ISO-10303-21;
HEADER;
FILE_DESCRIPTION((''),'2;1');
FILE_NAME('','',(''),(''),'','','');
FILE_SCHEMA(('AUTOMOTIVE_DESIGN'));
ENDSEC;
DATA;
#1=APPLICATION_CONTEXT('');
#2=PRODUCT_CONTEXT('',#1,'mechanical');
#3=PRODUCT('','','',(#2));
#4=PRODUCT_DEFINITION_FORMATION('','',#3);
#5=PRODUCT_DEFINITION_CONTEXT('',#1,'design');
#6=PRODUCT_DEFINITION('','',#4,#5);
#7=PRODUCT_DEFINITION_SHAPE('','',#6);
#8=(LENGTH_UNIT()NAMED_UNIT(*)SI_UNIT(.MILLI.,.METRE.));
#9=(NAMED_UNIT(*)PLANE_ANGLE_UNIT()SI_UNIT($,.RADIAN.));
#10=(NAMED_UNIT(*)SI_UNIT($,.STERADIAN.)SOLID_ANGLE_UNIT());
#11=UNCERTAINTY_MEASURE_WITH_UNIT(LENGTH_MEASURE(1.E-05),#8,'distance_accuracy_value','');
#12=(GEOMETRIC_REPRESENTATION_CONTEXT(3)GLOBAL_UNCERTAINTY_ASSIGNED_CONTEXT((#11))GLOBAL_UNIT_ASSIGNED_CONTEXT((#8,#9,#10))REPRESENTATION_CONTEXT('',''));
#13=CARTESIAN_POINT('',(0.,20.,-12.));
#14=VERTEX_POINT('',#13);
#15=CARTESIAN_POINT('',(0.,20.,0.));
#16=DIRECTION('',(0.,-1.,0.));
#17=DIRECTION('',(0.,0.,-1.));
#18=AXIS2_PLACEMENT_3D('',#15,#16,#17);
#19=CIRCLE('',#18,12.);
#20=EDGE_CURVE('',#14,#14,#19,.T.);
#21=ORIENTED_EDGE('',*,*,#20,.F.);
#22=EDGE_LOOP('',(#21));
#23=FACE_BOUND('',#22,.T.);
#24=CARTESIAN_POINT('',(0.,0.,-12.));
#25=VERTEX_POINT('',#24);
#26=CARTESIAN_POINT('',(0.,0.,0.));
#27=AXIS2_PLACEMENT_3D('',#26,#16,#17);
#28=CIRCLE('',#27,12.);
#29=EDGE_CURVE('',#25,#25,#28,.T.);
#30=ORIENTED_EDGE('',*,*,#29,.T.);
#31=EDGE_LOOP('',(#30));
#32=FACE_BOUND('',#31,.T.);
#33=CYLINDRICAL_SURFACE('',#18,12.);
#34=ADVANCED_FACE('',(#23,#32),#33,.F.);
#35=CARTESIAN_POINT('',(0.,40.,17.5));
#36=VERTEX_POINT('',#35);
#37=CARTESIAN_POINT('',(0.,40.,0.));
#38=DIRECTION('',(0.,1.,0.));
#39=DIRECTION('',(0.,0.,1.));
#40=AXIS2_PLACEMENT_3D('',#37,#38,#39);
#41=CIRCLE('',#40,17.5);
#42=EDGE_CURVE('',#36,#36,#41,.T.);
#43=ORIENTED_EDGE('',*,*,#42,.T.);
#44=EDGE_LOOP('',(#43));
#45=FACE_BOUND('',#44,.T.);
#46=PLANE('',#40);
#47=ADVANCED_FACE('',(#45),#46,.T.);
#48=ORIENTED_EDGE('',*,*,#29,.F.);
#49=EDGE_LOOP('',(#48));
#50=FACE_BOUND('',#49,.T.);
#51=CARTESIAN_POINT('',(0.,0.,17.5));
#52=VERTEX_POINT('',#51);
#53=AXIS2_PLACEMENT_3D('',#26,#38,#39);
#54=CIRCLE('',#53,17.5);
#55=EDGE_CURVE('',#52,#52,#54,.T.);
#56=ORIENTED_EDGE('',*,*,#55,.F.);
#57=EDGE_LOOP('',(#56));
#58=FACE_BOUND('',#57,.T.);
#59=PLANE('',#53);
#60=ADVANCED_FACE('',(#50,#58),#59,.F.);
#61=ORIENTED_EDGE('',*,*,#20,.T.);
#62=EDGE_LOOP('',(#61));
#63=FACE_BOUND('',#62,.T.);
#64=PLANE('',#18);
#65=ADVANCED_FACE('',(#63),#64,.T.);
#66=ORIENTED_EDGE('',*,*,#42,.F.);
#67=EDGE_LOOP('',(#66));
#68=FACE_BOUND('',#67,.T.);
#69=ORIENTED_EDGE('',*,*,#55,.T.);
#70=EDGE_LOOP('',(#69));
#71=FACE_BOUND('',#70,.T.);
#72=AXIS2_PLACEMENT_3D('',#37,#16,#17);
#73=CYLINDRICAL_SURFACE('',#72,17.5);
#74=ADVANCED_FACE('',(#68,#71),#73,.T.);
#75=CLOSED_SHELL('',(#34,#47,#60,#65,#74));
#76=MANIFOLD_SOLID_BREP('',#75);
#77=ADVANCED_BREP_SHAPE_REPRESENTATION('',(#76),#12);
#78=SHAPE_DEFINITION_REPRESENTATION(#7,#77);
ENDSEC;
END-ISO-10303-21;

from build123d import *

# Parameters (mm, degrees)
SKETCH_1_R          = 17.5
EXTRUDE_1_DEPTH     = 40
SKETCH_2_R          = 12
CUT_EXTRUDE_1_DEPTH = 20


with BuildPart() as part:
    # 草图1 → 凸台-拉伸1 (new body)
    with BuildSketch(Plane(origin=(0, 0, 0), x_dir=(1, 0, 0), z_dir=(0, 1, 0))):
        with Locations(Location((0, 0, 0), (0, 0, 270))):
            Circle(SKETCH_1_R)
    extrude(amount=EXTRUDE_1_DEPTH)

    # 草图2 → 切除-拉伸1 (cut)
    with BuildSketch(Plane.XZ):
        with Locations(Location((0, 0, 0), (0, 0, 270))):
            Circle(SKETCH_2_R)
    extrude(amount=-CUT_EXTRUDE_1_DEPTH, mode=Mode.SUBTRACT)


solid = part.part
